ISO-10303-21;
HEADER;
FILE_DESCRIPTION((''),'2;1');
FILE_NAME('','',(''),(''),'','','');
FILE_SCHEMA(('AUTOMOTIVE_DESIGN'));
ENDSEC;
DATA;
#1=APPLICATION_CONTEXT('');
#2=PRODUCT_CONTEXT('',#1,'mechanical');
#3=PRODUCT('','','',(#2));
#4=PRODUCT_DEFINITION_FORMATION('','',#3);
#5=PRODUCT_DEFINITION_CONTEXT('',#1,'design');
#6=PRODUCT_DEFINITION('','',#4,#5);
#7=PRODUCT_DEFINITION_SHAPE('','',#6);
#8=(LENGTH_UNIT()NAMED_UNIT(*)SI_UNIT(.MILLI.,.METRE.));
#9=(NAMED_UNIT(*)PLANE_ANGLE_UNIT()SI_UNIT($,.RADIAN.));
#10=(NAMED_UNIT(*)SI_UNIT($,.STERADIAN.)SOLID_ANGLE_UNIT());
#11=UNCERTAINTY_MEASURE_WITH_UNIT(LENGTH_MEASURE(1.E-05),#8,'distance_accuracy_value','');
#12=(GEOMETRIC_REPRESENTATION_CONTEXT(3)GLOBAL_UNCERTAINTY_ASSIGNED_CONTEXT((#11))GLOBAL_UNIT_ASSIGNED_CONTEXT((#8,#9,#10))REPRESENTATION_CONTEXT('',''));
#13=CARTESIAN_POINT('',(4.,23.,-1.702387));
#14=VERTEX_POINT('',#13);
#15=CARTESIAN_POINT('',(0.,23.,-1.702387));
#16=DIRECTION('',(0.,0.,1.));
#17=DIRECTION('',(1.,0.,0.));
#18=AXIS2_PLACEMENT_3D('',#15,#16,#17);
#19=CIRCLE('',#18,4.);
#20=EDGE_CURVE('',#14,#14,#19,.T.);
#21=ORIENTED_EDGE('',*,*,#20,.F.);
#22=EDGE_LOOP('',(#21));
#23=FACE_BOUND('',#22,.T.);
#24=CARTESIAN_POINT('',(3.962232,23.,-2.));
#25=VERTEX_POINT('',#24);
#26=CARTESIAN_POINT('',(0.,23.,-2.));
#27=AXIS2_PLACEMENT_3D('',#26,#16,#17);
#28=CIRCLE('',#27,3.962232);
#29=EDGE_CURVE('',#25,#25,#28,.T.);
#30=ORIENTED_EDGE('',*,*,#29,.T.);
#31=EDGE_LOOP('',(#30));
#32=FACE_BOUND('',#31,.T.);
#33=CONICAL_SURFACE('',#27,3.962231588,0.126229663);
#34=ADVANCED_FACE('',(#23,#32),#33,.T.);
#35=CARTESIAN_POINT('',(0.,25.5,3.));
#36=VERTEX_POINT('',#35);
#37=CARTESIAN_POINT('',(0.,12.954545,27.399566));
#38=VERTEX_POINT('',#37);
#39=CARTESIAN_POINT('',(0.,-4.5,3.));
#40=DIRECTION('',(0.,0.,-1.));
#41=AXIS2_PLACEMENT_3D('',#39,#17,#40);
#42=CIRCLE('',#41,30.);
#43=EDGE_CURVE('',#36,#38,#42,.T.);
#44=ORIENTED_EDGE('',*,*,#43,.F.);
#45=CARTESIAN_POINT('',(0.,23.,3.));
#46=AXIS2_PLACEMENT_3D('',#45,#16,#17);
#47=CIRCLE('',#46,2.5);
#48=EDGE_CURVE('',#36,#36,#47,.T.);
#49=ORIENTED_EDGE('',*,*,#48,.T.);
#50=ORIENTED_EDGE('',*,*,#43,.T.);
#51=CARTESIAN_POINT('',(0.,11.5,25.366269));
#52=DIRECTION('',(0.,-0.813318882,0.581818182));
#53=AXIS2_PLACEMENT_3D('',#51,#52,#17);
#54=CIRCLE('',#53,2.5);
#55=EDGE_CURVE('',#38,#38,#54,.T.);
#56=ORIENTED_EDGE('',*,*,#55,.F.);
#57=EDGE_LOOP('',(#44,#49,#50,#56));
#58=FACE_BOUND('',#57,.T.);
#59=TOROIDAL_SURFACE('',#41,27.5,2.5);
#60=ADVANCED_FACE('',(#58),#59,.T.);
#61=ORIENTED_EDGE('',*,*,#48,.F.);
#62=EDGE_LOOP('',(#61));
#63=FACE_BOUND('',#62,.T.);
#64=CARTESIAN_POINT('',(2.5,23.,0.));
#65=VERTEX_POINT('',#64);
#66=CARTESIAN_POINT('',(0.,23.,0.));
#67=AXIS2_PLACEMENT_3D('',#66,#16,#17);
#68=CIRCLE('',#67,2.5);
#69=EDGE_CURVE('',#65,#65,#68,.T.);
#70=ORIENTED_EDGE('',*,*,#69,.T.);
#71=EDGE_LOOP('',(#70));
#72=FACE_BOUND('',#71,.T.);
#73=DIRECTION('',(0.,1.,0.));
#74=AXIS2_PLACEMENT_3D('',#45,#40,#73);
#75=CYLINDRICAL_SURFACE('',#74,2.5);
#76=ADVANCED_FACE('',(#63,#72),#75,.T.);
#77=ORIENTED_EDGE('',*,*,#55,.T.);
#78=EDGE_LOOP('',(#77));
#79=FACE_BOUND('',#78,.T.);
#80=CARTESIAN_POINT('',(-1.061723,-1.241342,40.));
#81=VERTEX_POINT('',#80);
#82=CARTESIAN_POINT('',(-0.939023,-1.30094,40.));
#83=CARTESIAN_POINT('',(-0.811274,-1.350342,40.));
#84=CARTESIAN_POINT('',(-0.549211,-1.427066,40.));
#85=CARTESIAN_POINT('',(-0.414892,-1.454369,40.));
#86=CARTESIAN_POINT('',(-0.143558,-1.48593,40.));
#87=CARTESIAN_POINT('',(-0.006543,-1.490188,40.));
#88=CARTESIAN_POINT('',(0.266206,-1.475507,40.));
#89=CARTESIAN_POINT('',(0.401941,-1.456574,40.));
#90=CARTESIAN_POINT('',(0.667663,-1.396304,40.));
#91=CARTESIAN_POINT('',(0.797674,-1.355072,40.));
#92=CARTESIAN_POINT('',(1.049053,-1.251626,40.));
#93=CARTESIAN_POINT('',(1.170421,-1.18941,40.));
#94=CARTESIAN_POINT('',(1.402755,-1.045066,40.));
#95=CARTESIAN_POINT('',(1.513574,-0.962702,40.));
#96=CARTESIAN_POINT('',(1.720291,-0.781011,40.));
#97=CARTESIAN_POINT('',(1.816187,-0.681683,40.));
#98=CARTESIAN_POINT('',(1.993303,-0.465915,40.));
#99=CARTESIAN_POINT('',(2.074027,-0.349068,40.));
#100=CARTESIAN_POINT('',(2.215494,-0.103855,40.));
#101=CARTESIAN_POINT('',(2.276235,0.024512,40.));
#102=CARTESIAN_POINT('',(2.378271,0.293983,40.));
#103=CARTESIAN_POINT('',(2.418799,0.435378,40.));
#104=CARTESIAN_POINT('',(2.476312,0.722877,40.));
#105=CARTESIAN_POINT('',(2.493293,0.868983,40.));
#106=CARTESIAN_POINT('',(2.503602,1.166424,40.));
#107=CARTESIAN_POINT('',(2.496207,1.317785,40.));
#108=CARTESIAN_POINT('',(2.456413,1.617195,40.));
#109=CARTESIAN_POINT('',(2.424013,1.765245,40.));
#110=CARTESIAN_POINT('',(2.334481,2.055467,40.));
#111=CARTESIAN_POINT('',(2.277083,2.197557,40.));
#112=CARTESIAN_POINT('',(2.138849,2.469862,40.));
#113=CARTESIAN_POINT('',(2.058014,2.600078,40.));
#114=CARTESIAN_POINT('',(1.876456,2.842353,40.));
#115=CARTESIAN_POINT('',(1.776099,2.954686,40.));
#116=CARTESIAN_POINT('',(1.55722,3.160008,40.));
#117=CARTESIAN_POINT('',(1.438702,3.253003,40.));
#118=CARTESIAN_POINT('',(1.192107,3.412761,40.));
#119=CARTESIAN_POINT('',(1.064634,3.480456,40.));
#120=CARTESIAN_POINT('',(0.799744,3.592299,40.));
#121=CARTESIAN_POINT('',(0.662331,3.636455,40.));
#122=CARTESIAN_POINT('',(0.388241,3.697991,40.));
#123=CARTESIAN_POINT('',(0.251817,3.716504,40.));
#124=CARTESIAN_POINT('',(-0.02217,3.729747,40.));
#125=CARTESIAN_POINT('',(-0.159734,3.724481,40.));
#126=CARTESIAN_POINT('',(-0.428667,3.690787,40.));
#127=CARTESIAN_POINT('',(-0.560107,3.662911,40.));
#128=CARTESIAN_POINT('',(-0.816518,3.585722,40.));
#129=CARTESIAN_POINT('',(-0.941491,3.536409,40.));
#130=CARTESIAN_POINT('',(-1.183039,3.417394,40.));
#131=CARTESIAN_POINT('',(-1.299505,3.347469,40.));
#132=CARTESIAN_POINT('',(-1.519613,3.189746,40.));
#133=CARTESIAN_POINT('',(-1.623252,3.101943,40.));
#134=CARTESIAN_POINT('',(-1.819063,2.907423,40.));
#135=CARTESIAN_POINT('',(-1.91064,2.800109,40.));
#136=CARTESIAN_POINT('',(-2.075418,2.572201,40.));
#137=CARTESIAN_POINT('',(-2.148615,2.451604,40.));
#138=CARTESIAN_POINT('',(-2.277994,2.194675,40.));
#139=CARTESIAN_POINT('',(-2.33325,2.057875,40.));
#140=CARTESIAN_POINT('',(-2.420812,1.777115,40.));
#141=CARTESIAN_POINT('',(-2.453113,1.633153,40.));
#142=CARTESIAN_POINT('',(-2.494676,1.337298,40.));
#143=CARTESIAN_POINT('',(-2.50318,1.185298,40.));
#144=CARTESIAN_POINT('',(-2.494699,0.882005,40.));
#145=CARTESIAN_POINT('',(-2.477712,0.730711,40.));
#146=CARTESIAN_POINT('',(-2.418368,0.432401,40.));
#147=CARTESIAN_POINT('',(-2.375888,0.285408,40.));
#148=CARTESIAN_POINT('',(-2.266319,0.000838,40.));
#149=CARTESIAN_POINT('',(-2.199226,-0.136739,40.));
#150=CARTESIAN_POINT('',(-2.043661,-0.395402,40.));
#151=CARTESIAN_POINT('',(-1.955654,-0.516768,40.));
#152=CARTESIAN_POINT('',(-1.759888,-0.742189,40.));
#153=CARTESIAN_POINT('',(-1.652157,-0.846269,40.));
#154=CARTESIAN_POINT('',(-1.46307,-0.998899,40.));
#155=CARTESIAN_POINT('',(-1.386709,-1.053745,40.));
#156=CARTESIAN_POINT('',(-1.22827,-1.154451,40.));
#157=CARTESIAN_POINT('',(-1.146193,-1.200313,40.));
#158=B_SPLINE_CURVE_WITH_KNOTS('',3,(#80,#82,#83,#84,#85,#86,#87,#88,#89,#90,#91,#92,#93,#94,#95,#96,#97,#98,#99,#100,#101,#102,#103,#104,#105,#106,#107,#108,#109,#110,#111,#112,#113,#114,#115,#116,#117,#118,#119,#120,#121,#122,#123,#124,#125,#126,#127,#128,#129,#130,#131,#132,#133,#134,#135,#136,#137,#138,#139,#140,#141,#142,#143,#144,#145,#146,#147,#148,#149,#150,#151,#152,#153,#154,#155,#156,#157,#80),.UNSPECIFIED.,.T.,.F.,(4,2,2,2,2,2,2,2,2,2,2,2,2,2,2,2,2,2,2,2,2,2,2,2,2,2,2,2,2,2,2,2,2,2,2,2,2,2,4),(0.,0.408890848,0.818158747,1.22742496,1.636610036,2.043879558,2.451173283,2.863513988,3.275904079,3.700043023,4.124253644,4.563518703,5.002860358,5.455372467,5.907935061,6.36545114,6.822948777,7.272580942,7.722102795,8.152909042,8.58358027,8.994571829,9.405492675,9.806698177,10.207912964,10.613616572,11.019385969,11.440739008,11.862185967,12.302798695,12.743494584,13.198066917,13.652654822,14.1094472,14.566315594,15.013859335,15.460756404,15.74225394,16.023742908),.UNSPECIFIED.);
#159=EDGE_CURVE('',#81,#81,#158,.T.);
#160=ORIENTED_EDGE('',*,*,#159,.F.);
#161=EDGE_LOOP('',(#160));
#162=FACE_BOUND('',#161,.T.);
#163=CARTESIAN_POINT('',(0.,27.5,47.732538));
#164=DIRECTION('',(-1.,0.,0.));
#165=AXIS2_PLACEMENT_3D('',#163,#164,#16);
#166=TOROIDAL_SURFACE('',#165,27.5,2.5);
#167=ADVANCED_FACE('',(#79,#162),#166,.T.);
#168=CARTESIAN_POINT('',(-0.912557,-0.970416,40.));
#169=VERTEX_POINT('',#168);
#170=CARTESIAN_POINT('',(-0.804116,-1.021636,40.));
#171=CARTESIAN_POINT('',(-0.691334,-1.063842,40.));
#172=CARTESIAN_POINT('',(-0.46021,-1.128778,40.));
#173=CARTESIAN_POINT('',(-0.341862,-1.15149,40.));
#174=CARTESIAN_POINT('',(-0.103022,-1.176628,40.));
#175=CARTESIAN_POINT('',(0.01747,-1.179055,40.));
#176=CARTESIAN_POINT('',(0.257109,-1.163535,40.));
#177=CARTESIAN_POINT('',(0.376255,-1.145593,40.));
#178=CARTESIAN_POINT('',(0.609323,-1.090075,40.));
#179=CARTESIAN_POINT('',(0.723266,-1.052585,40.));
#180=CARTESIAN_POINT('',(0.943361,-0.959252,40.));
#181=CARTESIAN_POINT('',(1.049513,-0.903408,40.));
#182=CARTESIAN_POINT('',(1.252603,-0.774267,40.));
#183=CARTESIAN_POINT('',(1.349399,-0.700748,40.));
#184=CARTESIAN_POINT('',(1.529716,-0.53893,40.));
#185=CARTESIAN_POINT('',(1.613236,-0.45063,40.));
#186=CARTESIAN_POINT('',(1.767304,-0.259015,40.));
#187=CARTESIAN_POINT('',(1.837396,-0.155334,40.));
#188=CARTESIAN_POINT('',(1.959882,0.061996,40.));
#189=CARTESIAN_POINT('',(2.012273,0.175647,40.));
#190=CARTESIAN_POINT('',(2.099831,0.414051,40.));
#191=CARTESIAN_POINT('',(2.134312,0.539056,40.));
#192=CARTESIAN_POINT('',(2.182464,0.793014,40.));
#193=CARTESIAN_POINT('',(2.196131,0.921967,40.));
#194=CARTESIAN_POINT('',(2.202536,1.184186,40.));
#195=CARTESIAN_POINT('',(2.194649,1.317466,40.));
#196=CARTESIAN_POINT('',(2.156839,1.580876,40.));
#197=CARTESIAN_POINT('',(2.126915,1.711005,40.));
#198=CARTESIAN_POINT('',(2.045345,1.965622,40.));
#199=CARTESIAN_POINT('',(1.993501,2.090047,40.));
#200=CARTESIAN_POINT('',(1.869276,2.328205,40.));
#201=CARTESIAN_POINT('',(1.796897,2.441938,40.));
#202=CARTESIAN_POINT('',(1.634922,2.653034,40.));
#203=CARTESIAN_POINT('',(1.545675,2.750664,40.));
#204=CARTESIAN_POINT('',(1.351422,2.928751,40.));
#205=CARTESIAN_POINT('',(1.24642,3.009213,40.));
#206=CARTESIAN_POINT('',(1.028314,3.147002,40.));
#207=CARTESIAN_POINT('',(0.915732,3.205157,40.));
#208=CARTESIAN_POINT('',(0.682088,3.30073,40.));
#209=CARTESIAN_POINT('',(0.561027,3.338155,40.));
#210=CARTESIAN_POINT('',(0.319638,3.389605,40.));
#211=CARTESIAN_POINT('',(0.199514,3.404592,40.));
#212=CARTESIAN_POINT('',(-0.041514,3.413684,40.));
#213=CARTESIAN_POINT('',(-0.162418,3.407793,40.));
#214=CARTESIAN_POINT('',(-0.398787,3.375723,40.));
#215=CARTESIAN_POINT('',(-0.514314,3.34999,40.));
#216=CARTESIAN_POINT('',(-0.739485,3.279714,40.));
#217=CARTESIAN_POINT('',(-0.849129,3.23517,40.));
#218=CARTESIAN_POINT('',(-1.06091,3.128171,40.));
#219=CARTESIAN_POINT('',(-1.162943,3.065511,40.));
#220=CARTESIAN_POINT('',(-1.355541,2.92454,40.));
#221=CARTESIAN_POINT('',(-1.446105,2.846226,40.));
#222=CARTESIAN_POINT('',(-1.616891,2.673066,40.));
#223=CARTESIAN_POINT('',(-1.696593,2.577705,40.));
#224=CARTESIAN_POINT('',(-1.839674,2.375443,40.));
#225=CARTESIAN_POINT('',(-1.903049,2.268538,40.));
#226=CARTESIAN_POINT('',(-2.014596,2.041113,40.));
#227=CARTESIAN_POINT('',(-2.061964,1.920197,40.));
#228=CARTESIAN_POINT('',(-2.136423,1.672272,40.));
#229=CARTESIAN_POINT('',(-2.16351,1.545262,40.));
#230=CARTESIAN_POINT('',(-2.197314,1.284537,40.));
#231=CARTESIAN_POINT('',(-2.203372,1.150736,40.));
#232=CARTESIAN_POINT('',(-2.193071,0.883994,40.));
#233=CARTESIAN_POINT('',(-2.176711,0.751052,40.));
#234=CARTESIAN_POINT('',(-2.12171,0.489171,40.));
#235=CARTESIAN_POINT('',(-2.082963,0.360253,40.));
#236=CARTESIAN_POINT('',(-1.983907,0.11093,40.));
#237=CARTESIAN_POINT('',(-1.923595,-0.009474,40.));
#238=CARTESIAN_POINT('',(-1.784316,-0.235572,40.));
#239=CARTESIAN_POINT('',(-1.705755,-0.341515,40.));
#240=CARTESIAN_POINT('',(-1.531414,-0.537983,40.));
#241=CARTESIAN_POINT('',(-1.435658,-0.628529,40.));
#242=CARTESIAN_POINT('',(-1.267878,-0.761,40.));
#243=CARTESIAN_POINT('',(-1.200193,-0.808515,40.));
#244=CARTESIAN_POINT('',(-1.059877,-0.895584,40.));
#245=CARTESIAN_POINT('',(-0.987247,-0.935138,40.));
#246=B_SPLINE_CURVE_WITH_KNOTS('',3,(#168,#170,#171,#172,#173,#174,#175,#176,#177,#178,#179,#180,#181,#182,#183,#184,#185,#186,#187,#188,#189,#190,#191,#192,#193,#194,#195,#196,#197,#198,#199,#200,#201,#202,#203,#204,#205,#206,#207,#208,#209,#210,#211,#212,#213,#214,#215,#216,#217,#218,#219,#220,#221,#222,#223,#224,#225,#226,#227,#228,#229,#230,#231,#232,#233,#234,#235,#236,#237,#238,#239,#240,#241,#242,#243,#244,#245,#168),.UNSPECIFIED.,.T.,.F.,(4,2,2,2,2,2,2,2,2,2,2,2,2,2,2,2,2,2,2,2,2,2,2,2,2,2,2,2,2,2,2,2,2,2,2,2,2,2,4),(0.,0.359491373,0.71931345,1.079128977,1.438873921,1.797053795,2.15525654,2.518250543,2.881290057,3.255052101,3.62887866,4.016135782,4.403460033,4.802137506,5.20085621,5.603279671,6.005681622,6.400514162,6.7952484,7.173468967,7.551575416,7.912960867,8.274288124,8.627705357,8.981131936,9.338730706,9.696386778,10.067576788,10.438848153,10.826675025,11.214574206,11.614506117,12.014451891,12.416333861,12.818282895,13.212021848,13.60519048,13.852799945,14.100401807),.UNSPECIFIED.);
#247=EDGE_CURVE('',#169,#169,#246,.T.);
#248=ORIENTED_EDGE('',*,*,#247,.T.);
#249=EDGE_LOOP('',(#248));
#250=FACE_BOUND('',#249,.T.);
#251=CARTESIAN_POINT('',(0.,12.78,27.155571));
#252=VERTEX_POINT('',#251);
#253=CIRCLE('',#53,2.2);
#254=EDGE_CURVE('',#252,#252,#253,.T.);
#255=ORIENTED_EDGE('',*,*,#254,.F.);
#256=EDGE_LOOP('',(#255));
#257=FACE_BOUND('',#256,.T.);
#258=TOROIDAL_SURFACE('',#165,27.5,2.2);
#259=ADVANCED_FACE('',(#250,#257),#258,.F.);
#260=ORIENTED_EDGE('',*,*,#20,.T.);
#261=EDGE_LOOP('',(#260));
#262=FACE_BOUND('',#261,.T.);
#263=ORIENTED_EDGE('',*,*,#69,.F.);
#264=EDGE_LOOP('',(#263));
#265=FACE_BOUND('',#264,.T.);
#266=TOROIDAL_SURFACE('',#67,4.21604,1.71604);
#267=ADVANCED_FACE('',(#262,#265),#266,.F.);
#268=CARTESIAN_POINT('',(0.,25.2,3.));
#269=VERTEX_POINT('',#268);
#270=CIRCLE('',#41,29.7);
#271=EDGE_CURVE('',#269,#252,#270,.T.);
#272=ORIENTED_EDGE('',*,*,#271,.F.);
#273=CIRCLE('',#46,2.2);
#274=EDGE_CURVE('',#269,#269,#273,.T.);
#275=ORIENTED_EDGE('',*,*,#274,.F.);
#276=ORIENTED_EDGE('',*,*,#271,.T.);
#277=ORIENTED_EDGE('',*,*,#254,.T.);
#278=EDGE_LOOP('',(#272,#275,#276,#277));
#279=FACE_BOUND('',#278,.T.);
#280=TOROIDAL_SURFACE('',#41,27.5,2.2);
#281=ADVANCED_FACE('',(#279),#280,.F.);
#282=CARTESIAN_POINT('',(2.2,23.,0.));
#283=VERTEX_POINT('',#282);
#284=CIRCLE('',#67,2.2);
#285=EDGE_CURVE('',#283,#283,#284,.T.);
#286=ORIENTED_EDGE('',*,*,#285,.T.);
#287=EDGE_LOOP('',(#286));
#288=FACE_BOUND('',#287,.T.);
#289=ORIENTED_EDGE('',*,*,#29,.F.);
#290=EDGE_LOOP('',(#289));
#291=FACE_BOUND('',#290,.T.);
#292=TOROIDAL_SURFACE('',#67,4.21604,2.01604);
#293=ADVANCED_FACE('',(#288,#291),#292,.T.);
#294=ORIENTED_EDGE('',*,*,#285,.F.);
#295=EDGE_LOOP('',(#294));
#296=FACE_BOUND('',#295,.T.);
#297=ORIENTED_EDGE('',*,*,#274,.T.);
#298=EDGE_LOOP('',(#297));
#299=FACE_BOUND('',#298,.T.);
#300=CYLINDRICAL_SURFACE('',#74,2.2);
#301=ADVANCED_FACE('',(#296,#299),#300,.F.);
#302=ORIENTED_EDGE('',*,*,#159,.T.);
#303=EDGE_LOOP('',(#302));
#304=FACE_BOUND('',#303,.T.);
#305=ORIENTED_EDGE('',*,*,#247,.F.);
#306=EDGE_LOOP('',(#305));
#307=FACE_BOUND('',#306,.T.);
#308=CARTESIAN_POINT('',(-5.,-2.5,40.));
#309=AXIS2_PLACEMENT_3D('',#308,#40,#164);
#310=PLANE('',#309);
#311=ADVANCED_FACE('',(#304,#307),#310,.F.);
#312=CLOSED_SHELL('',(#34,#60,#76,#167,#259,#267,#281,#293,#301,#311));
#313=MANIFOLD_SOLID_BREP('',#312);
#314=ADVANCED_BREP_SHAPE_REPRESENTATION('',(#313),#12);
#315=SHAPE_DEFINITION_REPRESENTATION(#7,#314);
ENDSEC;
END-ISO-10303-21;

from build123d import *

# Parameters (mm, degrees)
SKETCH2_R          = 2.5
SKETCH2_R_2        = 2.2
SKETCH3_W          = 7.732538493
SKETCH3_H          = 7
CUT_EXTRUDE1_DEPTH = 5


with BuildPart() as part:
    # Sweep1: sweep along a path in Sketch1
    with BuildLine(Plane(origin=(0, 0, 0), x_dir=(0, 0, -1), z_dir=(1, 0, 0))) as sweep1_path:
        Line((0, 23), (-3, 23))
        ThreePointArc((-3, 23), (-15.57477634, 19.956594203), (-25.366269246, 11.5))
        ThreePointArc((-25.366269246, 11.5), (-31.811636627, 5.077357788), (-40, 1.10951216))
        ThreePointArc((-40, 1.10951216), (-43.826672111, 0.278791213), (-47.732538493, 0))
    # Sketch2 → Sweep1 (sweep)
    with BuildSketch(Plane.XY):
        with Locations((0, 23)):
            Circle(SKETCH2_R)
        with Locations((0, 23)):
            Circle(SKETCH2_R_2, mode=Mode.SUBTRACT)
    sweep(path=sweep1_path.line)

    # Sketch3 → Cut-Extrude1 (cut, symmetric)
    with BuildSketch(Plane(origin=(0, 0, 0), x_dir=(0, 0, -1), z_dir=(1, 0, 0))):
        with Locations((-43.866269246, 1)):
            Rectangle(SKETCH3_W, SKETCH3_H)
    extrude(amount=CUT_EXTRUDE1_DEPTH, both=True, mode=Mode.SUBTRACT)

    # Sketch4 → Revolve1 (revolve)
    with BuildSketch(Plane(origin=(0, 0, 0), x_dir=(0, 0, -1), z_dir=(1, 0, 0)), mode=Mode.PRIVATE) as revolve1_sk:
        with BuildLine():
            Line((0, 25.2), (0, 25.5))
            ThreePointArc((0, 25.5), (1.13447358, 25.928498418), (1.702386917, 27))
            Line((1.702386917, 27), (2, 26.962231588))
            ThreePointArc((2, 26.962231588), (1.332803452, 25.703408965), (0, 25.2))
        make_face()
    revolve(revolve1_sk.sketch.rotate(Axis((0, 23, 0), (0, 0, -1)), 90), axis=Axis((0, 23, 0), (0, 0, -1)))


solid = part.part
